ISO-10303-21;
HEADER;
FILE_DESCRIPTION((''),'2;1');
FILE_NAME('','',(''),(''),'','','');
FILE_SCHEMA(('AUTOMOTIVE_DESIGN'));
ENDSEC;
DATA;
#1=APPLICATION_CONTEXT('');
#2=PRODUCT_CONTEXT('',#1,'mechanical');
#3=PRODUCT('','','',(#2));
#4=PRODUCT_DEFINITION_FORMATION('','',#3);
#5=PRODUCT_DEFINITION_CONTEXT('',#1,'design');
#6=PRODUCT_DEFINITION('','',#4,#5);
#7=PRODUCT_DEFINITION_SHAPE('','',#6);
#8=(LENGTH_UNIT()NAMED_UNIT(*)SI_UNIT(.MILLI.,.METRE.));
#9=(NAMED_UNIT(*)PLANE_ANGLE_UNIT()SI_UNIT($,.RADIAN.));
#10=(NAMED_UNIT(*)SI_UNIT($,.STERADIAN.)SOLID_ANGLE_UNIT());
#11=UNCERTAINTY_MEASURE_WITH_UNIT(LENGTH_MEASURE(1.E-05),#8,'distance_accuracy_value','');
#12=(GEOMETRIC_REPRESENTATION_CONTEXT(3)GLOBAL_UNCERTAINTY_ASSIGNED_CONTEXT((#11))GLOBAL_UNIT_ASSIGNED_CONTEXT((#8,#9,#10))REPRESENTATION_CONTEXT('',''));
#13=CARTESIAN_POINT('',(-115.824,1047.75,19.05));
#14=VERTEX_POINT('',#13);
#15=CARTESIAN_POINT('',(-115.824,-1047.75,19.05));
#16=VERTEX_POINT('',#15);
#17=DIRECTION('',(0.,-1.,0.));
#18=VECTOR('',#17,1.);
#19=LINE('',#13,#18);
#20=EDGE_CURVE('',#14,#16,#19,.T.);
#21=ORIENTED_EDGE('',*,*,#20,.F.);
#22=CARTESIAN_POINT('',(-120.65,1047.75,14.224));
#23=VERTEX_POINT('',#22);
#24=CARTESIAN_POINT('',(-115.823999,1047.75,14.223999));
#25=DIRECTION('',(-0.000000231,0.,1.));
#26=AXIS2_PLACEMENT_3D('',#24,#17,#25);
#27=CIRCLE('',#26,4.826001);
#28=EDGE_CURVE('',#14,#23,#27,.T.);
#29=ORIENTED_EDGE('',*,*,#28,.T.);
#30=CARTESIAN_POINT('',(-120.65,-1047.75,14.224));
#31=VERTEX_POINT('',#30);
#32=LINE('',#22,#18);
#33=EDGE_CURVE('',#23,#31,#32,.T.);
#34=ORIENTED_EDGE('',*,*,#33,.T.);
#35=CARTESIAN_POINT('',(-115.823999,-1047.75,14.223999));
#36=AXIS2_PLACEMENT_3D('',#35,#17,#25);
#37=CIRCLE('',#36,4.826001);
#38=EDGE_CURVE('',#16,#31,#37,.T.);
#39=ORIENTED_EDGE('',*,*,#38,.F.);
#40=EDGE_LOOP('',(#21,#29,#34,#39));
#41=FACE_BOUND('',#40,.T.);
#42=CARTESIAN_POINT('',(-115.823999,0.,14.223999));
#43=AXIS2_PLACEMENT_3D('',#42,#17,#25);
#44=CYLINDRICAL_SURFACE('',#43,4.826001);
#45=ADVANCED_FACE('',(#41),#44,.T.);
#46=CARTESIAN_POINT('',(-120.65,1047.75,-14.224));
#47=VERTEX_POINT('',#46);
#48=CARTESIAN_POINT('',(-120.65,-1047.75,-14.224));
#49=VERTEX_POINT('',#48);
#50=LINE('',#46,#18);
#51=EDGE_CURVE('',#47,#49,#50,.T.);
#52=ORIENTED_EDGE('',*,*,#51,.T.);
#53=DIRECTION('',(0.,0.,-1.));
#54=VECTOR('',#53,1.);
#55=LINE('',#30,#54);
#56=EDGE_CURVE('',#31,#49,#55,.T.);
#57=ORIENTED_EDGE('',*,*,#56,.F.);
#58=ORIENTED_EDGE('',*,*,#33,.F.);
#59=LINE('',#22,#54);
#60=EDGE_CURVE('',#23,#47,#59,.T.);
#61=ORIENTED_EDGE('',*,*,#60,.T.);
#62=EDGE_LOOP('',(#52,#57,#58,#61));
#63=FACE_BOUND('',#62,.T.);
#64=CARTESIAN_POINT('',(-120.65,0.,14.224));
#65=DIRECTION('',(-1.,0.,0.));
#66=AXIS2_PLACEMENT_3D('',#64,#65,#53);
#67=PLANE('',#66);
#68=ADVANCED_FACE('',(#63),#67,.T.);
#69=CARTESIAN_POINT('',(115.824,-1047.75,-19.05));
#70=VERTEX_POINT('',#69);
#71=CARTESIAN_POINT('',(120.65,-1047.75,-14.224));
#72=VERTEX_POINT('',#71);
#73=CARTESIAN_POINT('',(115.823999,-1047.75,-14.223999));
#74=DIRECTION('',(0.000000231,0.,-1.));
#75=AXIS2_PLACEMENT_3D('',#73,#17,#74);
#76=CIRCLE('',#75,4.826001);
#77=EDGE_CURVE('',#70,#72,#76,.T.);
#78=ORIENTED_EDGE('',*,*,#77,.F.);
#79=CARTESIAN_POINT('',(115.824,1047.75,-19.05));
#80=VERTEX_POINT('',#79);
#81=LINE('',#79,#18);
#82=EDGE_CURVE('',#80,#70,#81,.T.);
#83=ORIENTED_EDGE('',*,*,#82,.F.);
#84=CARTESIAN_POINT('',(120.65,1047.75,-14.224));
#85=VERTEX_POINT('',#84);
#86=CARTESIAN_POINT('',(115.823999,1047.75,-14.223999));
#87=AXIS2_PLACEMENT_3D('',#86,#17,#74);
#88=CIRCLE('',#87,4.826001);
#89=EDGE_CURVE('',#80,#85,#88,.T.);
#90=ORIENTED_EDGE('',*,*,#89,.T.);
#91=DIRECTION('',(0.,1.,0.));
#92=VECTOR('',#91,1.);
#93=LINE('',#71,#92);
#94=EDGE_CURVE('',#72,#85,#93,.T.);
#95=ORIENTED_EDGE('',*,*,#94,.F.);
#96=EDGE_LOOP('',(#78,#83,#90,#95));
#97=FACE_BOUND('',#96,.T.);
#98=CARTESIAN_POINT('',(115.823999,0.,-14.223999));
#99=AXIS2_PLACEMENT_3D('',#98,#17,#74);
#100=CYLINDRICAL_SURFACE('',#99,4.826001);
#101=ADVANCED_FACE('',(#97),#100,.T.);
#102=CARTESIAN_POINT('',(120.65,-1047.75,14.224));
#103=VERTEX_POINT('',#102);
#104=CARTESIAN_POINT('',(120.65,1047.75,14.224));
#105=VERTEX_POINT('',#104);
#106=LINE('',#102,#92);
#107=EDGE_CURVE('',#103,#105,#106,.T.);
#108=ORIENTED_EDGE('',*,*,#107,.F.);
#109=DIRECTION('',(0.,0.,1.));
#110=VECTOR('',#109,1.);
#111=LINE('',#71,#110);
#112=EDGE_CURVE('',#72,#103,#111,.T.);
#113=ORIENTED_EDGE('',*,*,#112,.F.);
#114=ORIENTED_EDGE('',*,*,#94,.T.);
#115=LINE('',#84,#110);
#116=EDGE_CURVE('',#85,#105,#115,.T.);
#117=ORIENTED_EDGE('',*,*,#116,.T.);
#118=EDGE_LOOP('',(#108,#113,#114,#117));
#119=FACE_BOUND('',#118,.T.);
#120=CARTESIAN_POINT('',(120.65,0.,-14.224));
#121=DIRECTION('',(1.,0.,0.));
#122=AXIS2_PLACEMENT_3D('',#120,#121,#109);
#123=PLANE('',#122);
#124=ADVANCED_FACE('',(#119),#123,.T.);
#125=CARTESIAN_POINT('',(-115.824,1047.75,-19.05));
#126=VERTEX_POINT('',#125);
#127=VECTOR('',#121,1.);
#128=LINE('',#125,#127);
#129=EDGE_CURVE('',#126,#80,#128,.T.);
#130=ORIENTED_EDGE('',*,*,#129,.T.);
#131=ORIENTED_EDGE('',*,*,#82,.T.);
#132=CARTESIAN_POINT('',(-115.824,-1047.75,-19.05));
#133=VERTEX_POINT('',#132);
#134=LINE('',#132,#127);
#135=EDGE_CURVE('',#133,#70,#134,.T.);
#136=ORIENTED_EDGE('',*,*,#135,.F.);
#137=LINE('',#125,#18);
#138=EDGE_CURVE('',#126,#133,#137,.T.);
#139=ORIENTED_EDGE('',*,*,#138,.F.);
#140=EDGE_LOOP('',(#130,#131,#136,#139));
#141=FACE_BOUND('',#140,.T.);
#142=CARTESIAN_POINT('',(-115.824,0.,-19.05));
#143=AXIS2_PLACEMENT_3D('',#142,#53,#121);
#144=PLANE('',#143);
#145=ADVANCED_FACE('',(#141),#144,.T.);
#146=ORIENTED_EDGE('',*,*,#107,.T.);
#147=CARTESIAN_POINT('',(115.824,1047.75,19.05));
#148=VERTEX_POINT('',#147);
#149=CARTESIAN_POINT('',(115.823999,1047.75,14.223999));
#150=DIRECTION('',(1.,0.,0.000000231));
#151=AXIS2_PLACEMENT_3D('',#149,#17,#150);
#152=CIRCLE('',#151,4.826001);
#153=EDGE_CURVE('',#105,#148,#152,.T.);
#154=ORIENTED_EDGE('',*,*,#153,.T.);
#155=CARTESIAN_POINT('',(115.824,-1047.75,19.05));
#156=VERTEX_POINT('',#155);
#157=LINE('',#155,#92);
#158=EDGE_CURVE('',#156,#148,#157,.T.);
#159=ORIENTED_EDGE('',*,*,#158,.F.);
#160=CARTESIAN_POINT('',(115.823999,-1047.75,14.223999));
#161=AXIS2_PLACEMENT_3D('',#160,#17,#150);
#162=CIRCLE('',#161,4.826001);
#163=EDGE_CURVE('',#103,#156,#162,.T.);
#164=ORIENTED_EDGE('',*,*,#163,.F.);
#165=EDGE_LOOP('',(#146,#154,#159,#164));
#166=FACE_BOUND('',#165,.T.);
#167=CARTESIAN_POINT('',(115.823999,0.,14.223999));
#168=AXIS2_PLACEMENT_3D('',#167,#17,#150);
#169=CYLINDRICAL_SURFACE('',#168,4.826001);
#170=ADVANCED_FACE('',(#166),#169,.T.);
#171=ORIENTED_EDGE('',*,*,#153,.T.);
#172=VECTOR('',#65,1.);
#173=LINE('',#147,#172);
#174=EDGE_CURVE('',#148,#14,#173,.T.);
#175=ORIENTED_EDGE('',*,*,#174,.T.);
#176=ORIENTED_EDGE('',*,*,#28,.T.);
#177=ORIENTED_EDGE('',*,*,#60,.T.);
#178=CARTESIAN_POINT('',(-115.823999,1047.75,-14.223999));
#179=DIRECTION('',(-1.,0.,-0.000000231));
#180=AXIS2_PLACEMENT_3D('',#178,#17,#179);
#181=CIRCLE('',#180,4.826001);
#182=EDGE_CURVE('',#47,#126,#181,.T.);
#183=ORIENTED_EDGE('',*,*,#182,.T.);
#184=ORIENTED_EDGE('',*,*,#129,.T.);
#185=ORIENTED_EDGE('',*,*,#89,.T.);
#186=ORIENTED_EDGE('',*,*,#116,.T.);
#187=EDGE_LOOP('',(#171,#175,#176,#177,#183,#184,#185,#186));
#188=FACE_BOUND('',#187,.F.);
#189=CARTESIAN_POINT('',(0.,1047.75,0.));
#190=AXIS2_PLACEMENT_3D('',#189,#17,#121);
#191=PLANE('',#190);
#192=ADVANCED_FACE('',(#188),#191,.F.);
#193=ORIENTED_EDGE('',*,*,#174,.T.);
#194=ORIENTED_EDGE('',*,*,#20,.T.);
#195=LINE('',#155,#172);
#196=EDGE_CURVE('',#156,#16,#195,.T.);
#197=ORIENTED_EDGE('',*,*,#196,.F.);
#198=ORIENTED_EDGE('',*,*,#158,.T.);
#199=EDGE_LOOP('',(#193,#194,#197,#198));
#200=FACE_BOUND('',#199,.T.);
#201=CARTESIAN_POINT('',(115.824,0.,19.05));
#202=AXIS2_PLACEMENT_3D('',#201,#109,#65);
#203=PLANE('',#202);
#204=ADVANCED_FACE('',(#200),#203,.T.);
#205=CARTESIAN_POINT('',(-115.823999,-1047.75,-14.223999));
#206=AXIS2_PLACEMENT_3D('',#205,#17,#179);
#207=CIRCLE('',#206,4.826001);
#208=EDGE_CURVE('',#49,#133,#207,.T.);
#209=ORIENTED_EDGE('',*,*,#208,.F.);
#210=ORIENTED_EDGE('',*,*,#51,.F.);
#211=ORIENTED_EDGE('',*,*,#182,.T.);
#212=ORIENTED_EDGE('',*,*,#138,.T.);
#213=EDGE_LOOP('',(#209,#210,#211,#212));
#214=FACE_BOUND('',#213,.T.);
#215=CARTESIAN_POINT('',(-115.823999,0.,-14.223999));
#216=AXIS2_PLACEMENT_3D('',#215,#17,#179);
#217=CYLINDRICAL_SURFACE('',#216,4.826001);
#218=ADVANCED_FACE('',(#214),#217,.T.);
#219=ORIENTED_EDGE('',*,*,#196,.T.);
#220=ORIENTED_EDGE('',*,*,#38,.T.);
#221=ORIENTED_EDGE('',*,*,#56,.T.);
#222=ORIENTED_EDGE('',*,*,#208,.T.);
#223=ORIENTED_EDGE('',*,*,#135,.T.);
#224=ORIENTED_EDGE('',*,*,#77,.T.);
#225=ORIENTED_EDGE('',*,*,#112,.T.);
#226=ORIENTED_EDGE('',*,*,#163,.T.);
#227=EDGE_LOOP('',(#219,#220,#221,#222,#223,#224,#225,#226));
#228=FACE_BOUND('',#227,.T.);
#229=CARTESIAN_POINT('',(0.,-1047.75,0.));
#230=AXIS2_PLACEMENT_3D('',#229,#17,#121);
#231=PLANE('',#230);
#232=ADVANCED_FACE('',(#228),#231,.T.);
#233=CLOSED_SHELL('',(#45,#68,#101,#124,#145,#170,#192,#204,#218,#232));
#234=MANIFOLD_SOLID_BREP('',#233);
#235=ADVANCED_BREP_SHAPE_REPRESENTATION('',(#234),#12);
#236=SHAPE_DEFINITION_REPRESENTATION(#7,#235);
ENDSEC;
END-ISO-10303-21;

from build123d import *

# Parameters (mm, degrees)
F1_DEPTH = 1047.75


with BuildPart() as f1:
    # F0 (on Front) → F1 (new body, symmetric)
    with BuildSketch(Plane.XZ):
        with BuildLine():
            Line((115.824, 19.05), (-115.824, 19.05))
            ThreePointArc((-115.824, 19.05), (-119.236497, 17.636497), (-120.65, 14.224))
            Line((-120.65, 14.224), (-120.65, -14.224))
            ThreePointArc((-120.65, -14.224), (-119.236497, -17.636497), (-115.824, -19.05))
            Line((-115.824, -19.05), (115.824, -19.05))
            ThreePointArc((115.824, -19.05), (119.236497, -17.636497), (120.65, -14.224))
            Line((120.65, -14.224), (120.65, 14.224))
            ThreePointArc((120.65, 14.224), (119.236497, 17.636497), (115.824, 19.05))
        make_face()
    extrude(amount=F1_DEPTH, both=True)


solid = f1.part
